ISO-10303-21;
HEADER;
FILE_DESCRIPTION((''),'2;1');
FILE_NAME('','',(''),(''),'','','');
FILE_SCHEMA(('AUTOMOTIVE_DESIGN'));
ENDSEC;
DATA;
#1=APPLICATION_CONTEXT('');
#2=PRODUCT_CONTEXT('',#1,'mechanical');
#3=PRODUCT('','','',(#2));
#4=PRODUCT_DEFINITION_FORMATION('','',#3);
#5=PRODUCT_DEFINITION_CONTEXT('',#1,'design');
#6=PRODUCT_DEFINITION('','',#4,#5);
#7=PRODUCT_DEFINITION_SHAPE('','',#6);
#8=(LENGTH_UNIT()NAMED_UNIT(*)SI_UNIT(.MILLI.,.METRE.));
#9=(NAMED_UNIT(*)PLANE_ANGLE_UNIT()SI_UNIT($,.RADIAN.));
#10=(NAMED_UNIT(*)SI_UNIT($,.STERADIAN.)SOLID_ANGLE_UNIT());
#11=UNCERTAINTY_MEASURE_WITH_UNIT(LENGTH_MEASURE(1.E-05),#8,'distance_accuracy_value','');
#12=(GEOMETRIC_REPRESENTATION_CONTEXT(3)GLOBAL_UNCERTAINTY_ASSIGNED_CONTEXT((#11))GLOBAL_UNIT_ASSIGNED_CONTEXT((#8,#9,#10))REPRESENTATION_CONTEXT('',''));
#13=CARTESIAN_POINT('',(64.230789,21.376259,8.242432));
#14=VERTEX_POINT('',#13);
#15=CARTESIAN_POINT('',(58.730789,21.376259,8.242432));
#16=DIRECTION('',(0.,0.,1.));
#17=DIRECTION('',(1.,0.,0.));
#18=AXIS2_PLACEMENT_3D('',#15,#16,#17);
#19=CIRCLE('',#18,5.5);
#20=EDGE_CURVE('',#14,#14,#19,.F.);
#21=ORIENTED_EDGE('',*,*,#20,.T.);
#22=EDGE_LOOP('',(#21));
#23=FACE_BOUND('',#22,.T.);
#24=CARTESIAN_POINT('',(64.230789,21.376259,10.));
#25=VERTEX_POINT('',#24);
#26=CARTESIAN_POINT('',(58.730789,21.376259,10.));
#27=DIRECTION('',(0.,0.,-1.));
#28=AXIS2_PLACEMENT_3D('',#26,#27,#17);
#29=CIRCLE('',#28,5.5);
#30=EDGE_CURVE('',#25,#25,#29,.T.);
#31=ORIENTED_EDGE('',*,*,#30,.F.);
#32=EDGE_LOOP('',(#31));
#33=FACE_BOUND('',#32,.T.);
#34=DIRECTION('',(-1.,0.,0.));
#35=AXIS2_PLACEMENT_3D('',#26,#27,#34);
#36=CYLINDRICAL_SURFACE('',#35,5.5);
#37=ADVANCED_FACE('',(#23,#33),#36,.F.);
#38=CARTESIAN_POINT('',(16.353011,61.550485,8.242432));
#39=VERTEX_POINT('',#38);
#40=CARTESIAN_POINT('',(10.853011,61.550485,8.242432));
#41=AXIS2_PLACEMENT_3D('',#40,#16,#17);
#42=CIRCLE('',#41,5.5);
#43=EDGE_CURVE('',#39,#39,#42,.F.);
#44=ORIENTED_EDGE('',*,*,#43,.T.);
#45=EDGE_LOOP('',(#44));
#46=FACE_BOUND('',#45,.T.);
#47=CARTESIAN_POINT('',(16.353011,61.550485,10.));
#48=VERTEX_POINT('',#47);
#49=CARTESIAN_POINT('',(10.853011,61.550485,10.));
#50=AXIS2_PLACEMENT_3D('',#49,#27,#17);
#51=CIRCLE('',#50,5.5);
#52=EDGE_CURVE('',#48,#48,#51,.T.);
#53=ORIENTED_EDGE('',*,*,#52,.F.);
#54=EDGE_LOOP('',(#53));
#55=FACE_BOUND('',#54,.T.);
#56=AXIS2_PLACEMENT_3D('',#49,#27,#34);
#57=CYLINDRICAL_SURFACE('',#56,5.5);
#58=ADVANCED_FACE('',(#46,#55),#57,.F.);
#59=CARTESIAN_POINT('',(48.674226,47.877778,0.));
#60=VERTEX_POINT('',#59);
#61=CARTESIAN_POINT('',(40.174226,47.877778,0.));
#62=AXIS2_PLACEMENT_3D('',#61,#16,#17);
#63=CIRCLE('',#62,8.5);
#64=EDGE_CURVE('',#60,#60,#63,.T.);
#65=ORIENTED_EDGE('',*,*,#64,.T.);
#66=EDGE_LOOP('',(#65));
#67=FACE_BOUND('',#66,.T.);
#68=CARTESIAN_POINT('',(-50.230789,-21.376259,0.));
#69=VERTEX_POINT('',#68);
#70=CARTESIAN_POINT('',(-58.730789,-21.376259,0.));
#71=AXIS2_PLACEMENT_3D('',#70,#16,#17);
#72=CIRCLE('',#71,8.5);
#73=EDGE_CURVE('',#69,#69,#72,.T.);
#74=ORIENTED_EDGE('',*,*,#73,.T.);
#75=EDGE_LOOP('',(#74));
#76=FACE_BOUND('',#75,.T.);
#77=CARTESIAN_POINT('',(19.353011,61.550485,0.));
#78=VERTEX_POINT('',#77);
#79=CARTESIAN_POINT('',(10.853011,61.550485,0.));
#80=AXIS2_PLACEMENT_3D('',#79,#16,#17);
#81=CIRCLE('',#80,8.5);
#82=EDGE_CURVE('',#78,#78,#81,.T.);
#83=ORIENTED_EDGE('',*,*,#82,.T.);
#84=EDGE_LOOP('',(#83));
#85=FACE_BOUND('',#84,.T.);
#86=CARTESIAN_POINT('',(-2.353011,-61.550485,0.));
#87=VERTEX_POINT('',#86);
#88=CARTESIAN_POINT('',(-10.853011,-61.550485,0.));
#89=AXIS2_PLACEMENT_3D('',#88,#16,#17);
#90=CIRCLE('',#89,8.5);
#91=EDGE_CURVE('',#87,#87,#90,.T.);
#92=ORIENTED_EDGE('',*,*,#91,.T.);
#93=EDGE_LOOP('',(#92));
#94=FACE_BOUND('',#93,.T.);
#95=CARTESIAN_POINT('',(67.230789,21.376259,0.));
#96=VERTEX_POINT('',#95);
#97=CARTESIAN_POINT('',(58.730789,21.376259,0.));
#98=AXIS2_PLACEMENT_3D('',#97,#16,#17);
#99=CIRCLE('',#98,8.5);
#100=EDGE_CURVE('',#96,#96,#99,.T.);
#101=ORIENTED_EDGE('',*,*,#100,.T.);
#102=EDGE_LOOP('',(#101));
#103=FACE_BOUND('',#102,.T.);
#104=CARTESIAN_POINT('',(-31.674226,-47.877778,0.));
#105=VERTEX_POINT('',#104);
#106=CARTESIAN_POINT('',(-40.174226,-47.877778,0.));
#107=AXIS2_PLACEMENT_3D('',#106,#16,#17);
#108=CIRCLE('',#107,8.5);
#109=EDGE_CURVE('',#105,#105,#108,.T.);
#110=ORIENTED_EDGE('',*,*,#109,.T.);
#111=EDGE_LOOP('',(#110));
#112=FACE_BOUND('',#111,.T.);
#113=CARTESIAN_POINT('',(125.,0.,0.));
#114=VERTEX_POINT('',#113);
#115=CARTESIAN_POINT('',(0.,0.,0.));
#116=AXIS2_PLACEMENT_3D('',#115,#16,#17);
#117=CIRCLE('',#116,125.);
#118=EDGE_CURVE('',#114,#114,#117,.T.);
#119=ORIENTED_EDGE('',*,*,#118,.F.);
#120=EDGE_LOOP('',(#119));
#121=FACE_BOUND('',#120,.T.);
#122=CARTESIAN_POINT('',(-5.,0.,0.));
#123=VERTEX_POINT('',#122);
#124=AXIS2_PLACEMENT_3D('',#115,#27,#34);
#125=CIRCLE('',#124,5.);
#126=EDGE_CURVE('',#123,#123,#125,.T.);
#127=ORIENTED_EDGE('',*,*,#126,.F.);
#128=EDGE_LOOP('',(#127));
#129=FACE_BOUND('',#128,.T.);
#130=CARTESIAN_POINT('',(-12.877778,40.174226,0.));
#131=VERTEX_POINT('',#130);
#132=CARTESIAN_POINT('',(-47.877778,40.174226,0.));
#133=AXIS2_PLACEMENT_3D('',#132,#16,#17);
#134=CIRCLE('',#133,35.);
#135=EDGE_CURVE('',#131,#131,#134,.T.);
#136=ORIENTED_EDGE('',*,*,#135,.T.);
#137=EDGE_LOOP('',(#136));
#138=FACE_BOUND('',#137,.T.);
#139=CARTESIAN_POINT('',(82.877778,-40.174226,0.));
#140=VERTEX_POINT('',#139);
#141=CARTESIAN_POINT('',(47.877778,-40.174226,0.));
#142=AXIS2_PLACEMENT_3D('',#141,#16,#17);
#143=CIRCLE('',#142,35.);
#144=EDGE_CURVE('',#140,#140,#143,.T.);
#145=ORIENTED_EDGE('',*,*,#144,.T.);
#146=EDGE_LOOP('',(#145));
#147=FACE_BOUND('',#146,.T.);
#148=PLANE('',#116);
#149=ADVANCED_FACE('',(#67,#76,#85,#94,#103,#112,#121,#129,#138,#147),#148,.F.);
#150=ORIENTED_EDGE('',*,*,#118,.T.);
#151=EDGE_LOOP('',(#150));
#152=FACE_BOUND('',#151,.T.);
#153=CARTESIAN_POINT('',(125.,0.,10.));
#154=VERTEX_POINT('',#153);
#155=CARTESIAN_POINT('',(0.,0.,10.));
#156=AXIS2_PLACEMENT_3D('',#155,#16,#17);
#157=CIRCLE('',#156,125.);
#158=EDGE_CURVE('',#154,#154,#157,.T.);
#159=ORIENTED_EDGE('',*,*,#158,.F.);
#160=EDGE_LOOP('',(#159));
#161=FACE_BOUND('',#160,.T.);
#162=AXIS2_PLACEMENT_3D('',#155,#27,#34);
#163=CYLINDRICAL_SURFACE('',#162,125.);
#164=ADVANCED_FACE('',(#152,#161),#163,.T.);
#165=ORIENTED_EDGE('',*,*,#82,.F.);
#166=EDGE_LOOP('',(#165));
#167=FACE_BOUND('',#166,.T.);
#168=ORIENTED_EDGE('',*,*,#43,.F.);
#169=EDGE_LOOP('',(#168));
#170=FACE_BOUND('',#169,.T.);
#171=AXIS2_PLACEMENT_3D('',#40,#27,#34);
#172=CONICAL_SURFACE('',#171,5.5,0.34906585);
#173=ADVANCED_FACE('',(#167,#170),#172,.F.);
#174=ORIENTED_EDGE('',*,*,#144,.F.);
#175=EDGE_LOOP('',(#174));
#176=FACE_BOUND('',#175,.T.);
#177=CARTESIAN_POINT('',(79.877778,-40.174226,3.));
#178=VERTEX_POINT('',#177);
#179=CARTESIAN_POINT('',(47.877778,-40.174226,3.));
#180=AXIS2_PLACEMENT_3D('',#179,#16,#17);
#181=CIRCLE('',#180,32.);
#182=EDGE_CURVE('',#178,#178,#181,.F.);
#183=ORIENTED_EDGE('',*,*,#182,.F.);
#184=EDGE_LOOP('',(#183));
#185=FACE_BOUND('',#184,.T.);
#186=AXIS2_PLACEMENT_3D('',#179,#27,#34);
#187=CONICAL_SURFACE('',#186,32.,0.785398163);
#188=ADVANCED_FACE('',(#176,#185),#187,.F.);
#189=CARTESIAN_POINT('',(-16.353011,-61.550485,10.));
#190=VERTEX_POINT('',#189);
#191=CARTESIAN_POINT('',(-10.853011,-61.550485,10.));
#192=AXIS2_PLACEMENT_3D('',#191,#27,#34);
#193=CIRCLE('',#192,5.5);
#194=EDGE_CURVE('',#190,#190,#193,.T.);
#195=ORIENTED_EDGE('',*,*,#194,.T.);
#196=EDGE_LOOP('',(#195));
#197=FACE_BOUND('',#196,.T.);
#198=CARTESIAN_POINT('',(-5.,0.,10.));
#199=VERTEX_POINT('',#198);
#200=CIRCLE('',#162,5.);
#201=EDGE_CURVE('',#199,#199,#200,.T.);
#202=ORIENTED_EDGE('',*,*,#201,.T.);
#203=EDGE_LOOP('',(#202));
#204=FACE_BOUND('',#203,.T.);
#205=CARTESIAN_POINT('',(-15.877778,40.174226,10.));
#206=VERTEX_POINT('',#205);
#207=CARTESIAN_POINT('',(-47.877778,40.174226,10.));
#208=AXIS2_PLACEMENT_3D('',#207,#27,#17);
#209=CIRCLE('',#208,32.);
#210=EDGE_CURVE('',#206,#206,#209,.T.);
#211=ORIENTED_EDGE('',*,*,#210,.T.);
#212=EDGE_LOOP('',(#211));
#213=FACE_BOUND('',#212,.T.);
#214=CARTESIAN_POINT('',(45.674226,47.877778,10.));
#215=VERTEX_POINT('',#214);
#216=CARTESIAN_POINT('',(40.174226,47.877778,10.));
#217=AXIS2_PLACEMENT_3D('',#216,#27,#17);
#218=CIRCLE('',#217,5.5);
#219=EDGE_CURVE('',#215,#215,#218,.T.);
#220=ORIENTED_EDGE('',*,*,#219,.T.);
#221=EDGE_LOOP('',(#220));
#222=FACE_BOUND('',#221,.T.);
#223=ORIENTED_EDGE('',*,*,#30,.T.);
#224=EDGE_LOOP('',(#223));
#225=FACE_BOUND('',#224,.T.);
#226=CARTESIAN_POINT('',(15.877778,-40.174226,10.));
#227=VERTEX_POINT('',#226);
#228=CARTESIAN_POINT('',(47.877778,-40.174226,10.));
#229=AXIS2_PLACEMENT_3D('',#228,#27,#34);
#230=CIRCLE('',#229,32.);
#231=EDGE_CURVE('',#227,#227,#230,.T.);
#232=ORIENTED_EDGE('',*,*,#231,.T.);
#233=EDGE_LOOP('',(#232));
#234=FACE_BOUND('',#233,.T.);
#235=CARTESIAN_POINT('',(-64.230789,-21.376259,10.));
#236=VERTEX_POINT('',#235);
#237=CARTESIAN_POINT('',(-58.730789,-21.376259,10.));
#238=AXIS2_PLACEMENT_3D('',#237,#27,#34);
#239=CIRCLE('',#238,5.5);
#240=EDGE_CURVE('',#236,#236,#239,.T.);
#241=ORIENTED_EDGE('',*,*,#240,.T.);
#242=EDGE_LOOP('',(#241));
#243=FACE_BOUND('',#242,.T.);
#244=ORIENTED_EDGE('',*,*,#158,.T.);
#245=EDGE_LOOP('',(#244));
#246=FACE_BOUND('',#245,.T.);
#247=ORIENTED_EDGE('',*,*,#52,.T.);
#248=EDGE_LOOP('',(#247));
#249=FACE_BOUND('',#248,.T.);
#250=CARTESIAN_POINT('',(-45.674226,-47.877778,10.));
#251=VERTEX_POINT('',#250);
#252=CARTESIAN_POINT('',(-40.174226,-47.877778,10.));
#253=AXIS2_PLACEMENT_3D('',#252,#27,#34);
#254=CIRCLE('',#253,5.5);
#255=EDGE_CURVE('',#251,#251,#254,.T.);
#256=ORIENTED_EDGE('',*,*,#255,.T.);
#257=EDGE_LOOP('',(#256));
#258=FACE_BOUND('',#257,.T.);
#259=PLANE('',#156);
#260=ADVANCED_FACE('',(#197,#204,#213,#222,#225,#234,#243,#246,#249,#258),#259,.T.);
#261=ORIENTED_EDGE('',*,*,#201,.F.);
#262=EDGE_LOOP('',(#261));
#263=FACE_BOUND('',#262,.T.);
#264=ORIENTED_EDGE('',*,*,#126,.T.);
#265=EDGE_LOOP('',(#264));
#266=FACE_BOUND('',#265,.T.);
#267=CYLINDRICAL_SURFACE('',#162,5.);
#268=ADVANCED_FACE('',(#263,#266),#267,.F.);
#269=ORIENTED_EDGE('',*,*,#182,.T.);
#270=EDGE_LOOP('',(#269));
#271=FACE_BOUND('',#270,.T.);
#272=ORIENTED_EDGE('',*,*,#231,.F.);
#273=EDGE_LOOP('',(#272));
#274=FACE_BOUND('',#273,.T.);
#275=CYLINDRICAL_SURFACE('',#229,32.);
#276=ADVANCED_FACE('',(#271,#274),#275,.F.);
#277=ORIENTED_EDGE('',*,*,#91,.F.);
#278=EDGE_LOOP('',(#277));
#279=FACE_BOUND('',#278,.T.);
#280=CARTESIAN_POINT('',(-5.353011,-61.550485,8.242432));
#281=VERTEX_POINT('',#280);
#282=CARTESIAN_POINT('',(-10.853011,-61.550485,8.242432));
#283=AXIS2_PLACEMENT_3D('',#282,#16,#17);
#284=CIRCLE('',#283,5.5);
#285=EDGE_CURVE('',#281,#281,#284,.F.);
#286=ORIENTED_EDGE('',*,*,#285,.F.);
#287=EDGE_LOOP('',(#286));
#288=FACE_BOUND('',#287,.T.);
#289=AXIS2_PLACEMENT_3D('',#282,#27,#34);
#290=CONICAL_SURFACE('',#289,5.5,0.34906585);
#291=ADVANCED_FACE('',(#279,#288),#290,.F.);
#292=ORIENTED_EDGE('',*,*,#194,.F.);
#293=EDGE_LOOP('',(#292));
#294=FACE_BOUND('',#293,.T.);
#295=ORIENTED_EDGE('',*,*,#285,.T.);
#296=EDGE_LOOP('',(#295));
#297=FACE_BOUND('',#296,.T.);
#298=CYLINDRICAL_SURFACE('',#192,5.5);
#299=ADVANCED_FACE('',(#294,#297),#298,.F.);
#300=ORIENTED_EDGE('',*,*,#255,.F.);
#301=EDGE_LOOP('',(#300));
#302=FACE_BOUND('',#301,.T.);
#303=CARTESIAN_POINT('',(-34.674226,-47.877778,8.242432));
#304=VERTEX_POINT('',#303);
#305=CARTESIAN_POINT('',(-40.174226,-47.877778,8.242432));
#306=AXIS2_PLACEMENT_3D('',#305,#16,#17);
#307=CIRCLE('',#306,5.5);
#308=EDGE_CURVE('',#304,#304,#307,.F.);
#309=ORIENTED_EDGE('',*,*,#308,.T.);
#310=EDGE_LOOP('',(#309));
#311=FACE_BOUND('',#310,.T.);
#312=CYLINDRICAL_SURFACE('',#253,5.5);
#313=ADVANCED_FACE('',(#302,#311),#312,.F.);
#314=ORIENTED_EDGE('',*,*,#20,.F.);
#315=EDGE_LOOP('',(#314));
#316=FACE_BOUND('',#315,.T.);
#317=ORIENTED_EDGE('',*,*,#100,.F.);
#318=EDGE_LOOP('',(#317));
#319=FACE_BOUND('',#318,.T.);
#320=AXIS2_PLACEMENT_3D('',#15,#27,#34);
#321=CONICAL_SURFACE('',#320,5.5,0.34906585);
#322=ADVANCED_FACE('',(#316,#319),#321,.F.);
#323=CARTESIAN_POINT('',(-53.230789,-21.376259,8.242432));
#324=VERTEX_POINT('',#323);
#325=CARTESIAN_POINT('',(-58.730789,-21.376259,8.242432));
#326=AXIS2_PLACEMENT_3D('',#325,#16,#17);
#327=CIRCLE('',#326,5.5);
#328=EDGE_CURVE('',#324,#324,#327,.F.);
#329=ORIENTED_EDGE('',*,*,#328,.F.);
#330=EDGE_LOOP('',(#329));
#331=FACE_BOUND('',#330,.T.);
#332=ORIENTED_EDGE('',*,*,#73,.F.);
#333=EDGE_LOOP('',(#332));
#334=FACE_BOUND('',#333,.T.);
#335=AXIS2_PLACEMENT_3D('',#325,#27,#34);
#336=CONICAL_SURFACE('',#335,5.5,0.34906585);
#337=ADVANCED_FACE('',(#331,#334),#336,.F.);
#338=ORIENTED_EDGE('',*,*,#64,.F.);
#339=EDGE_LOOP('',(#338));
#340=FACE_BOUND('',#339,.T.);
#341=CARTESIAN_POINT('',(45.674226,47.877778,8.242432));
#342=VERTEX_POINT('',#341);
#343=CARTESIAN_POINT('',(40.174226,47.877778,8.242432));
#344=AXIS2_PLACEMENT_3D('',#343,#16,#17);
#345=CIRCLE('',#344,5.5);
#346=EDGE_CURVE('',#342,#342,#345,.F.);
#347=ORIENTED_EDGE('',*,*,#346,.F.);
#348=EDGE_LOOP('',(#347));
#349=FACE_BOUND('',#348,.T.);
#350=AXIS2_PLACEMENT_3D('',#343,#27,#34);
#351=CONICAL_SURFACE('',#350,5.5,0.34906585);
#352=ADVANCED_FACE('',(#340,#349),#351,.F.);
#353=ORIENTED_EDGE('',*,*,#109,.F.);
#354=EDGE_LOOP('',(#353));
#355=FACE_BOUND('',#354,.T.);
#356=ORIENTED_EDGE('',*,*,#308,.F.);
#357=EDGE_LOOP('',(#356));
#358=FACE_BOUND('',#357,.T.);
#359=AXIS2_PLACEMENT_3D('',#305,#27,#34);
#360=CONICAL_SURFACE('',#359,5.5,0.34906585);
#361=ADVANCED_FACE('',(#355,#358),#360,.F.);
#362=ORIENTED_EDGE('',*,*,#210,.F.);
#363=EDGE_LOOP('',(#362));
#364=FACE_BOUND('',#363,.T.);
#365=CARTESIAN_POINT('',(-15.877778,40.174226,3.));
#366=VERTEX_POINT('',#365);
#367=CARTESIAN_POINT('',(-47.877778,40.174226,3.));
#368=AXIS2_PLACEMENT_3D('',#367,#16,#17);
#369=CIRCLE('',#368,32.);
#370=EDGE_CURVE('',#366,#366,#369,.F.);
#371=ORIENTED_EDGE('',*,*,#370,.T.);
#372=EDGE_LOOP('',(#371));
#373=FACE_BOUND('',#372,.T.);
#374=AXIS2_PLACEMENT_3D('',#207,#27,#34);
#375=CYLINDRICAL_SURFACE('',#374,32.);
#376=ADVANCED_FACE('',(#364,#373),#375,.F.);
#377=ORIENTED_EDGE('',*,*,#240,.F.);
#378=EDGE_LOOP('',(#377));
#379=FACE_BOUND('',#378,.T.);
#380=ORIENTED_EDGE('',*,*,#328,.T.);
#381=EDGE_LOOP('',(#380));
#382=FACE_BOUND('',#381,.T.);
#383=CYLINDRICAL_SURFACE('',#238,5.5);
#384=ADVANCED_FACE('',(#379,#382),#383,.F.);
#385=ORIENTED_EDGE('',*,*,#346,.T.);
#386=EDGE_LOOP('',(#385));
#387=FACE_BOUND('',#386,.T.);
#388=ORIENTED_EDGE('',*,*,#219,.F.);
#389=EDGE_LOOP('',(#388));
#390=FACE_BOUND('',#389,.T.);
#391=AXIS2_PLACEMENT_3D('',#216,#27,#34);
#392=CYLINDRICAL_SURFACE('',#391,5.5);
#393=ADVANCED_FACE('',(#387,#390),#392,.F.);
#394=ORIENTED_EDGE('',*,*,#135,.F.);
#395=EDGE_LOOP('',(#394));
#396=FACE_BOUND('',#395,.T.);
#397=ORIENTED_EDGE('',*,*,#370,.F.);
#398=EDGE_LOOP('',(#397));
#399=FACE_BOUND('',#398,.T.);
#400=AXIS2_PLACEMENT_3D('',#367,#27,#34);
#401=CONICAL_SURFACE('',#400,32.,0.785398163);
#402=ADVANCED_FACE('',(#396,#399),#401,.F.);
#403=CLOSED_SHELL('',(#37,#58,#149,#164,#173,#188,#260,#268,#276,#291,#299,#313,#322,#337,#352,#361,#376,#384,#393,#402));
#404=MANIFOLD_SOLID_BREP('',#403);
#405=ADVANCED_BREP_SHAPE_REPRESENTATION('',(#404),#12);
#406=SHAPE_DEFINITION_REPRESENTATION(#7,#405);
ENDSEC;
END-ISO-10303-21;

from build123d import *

# Parameters (mm, degrees)
SKETCH1_R                     = 125
BOSS_EXTRUDE1_DEPTH           = 10
SKETCH2_R                     = 5
SKETCH2_R_2                   = 32
SKETCH2_R_3                   = 5.5
CUT_EXTRUDE1_DEPTH            = 10
CHAMFER1_SIZE                 = 3
CHAMFER2_SIZE                 = 3
CHAMFER2_SIZE2                = 8.242432258
CIRPATTERN1_COUNT             = 2
CHAMFER1_OF_CIRPATTERN1_SIZE  = 3
CHAMFER2_OF_CIRPATTERN1_SIZE2 = 8.242432258
CHAMFER2_OF_CIRPATTERN1_SIZE  = 3


with BuildPart() as part:
    # Sketch1 → Boss-Extrude1 (new body)
    with BuildSketch(Plane.XY):
        Circle(SKETCH1_R)
    extrude(amount=BOSS_EXTRUDE1_DEPTH)

    # Sketch2 → Cut-Extrude1 (cut)
    with BuildSketch(Plane(origin=(0, 0, 0), x_dir=(-1, 0, 0), z_dir=(0, 0, -1))):
        Circle(SKETCH2_R)
        with Locations((-47.877777695, -40.174225605)):
            Circle(SKETCH2_R_2)
        with Locations((10.853011104, -61.550484563)):
            Circle(SKETCH2_R_3)
        with Locations((40.174225605, -47.877777695)):
            Circle(SKETCH2_R_3)
        with Locations((58.730788799, -21.376258958)):
            Circle(SKETCH2_R_3)
    cut_extrude1 = extrude(amount=-CUT_EXTRUDE1_DEPTH, mode=Mode.SUBTRACT)

    # Chamfer1
    chamfer1_edges = [part.edges().sort_by_distance(p)[0] for p in [
        (79.877777695, -40.174225605, 0),
    ]]
    chamfer(chamfer1_edges, length=CHAMFER1_SIZE)

    # Chamfer2
    chamfer2_edges = [part.edges().sort_by_distance(p)[0] for p in [
        (-53.230788799, -21.376258958, 0),
        (-34.674225605, -47.877777695, 0),
        (-5.353011104, -61.550484563, 0),
    ]]
    chamfer2_side = [part.faces().sort_by_distance(p)[0] for p in [
        (-3.873503852, 3.722299955, 0),
    ]]
    chamfer(chamfer2_edges, length=CHAMFER2_SIZE, length2=CHAMFER2_SIZE2, reference=chamfer2_side[0])

    # CirPattern1: Cut-Extrude1 ×2 about axis
    cirpattern1_axis = Axis((0, 0, 10), (0, 0, -1))
    for i in range(1, CIRPATTERN1_COUNT):
        add(cut_extrude1.rotate(cirpattern1_axis, i * 360 / CIRPATTERN1_COUNT), mode=Mode.SUBTRACT)

    # Chamfer1 of CirPattern1
    chamfer1_of_cirpattern1_edges = [part.edges().sort_by_distance(p)[0] for p in [
        (-79.877777695, 40.174225605, 0),
    ]]
    chamfer(chamfer1_of_cirpattern1_edges, length=CHAMFER1_OF_CIRPATTERN1_SIZE)

    # Chamfer2 of CirPattern1
    chamfer2_of_cirpattern1_edges = [part.edges().sort_by_distance(p)[0] for p in [
        (53.230788799, 21.376258958, 0),
        (34.674225605, 47.877777695, 0),
        (5.353011104, 61.550484563, 0),
    ]]
    chamfer(chamfer2_of_cirpattern1_edges, length=CHAMFER2_OF_CIRPATTERN1_SIZE, length2=CHAMFER2_OF_CIRPATTERN1_SIZE2)


solid = part.part
